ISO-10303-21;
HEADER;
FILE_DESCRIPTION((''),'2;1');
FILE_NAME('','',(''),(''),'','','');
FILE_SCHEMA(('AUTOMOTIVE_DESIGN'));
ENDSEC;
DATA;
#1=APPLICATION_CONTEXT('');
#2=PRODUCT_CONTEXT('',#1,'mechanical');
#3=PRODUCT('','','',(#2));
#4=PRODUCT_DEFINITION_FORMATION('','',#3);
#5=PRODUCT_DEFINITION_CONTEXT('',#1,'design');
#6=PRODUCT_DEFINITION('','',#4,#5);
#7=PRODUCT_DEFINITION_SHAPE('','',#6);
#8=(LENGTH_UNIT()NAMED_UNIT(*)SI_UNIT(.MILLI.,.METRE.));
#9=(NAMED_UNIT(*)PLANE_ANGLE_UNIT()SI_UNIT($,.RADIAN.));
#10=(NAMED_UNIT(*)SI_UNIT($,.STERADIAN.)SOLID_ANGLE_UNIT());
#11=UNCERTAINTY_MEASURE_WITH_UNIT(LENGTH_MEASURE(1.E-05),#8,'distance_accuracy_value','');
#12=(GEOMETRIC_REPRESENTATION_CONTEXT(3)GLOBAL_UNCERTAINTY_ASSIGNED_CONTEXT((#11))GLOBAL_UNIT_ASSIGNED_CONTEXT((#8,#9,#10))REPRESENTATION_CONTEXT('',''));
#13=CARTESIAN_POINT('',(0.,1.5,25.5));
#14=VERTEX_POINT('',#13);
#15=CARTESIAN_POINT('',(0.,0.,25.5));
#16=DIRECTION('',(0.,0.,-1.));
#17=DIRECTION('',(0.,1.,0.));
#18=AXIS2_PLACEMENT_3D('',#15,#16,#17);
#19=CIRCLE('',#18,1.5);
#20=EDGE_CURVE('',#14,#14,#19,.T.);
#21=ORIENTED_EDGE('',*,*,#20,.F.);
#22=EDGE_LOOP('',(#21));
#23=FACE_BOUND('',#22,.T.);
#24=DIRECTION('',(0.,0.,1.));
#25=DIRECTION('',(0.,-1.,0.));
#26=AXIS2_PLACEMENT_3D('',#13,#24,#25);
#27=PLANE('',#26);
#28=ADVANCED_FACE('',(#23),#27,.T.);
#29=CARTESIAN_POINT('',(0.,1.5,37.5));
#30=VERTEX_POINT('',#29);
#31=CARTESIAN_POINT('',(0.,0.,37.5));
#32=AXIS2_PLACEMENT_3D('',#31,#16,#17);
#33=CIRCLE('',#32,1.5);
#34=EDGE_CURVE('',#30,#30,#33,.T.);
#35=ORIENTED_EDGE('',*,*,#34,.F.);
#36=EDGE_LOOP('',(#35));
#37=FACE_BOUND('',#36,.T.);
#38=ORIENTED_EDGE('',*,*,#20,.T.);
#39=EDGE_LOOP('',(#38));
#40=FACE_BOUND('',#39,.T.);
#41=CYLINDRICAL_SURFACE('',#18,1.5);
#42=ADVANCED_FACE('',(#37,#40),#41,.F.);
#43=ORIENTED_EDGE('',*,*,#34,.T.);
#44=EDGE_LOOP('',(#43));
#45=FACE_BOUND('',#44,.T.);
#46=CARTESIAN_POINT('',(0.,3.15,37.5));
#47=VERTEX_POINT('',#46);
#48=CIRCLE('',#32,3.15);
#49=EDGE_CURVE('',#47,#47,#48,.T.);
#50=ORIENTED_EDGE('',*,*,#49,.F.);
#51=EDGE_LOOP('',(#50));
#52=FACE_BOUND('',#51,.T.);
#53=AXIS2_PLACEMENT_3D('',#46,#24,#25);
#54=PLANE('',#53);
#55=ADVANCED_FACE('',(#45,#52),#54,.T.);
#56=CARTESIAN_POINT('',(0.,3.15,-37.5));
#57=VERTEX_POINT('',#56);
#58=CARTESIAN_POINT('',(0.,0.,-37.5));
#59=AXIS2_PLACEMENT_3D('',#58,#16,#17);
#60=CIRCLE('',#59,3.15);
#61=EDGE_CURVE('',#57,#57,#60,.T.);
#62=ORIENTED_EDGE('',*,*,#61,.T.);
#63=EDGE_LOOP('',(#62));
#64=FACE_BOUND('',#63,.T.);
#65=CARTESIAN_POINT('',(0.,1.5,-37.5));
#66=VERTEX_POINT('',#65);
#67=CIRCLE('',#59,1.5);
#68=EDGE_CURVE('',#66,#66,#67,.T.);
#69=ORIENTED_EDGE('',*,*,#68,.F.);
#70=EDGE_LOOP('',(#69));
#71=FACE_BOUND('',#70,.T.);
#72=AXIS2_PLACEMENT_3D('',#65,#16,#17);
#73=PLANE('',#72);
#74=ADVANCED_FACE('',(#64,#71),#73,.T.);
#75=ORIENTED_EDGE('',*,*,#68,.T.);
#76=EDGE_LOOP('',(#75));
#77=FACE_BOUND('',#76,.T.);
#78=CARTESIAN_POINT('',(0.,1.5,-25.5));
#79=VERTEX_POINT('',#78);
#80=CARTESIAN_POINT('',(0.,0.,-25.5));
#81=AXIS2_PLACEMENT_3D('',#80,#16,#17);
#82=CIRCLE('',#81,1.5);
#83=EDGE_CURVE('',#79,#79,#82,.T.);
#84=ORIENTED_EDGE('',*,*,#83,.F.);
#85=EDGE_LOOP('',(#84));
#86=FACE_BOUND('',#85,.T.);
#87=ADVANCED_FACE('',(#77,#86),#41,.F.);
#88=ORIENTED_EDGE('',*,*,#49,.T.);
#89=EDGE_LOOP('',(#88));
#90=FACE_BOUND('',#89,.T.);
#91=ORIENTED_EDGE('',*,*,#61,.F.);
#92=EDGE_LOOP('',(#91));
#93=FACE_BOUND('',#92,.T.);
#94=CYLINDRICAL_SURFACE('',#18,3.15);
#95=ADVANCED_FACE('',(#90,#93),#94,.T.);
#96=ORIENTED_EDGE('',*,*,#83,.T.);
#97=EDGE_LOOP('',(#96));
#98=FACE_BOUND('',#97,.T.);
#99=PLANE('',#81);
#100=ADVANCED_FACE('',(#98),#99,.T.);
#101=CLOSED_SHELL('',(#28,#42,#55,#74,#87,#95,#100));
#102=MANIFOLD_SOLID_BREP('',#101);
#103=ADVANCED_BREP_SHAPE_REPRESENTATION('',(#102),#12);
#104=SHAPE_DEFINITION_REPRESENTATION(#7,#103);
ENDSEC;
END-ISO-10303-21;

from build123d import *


with BuildPart() as part:
    # Sketch2 → Revolve1 (revolve)
    with BuildSketch(Plane(origin=(0, 0, 0), x_dir=(0, 0, -1), z_dir=(1, 0, 0))):
        Polygon((37.5, 1.5), (25.5, 1.5), (25.5, 0), (-25.5, 0), (-25.5, 1.5), (-37.5, 1.5), (-37.5, 3.15), (37.5, 3.15), align=None)
    revolve(axis=Axis((0, 0, 25.5), (0, 0, 1)))


solid = part.part
